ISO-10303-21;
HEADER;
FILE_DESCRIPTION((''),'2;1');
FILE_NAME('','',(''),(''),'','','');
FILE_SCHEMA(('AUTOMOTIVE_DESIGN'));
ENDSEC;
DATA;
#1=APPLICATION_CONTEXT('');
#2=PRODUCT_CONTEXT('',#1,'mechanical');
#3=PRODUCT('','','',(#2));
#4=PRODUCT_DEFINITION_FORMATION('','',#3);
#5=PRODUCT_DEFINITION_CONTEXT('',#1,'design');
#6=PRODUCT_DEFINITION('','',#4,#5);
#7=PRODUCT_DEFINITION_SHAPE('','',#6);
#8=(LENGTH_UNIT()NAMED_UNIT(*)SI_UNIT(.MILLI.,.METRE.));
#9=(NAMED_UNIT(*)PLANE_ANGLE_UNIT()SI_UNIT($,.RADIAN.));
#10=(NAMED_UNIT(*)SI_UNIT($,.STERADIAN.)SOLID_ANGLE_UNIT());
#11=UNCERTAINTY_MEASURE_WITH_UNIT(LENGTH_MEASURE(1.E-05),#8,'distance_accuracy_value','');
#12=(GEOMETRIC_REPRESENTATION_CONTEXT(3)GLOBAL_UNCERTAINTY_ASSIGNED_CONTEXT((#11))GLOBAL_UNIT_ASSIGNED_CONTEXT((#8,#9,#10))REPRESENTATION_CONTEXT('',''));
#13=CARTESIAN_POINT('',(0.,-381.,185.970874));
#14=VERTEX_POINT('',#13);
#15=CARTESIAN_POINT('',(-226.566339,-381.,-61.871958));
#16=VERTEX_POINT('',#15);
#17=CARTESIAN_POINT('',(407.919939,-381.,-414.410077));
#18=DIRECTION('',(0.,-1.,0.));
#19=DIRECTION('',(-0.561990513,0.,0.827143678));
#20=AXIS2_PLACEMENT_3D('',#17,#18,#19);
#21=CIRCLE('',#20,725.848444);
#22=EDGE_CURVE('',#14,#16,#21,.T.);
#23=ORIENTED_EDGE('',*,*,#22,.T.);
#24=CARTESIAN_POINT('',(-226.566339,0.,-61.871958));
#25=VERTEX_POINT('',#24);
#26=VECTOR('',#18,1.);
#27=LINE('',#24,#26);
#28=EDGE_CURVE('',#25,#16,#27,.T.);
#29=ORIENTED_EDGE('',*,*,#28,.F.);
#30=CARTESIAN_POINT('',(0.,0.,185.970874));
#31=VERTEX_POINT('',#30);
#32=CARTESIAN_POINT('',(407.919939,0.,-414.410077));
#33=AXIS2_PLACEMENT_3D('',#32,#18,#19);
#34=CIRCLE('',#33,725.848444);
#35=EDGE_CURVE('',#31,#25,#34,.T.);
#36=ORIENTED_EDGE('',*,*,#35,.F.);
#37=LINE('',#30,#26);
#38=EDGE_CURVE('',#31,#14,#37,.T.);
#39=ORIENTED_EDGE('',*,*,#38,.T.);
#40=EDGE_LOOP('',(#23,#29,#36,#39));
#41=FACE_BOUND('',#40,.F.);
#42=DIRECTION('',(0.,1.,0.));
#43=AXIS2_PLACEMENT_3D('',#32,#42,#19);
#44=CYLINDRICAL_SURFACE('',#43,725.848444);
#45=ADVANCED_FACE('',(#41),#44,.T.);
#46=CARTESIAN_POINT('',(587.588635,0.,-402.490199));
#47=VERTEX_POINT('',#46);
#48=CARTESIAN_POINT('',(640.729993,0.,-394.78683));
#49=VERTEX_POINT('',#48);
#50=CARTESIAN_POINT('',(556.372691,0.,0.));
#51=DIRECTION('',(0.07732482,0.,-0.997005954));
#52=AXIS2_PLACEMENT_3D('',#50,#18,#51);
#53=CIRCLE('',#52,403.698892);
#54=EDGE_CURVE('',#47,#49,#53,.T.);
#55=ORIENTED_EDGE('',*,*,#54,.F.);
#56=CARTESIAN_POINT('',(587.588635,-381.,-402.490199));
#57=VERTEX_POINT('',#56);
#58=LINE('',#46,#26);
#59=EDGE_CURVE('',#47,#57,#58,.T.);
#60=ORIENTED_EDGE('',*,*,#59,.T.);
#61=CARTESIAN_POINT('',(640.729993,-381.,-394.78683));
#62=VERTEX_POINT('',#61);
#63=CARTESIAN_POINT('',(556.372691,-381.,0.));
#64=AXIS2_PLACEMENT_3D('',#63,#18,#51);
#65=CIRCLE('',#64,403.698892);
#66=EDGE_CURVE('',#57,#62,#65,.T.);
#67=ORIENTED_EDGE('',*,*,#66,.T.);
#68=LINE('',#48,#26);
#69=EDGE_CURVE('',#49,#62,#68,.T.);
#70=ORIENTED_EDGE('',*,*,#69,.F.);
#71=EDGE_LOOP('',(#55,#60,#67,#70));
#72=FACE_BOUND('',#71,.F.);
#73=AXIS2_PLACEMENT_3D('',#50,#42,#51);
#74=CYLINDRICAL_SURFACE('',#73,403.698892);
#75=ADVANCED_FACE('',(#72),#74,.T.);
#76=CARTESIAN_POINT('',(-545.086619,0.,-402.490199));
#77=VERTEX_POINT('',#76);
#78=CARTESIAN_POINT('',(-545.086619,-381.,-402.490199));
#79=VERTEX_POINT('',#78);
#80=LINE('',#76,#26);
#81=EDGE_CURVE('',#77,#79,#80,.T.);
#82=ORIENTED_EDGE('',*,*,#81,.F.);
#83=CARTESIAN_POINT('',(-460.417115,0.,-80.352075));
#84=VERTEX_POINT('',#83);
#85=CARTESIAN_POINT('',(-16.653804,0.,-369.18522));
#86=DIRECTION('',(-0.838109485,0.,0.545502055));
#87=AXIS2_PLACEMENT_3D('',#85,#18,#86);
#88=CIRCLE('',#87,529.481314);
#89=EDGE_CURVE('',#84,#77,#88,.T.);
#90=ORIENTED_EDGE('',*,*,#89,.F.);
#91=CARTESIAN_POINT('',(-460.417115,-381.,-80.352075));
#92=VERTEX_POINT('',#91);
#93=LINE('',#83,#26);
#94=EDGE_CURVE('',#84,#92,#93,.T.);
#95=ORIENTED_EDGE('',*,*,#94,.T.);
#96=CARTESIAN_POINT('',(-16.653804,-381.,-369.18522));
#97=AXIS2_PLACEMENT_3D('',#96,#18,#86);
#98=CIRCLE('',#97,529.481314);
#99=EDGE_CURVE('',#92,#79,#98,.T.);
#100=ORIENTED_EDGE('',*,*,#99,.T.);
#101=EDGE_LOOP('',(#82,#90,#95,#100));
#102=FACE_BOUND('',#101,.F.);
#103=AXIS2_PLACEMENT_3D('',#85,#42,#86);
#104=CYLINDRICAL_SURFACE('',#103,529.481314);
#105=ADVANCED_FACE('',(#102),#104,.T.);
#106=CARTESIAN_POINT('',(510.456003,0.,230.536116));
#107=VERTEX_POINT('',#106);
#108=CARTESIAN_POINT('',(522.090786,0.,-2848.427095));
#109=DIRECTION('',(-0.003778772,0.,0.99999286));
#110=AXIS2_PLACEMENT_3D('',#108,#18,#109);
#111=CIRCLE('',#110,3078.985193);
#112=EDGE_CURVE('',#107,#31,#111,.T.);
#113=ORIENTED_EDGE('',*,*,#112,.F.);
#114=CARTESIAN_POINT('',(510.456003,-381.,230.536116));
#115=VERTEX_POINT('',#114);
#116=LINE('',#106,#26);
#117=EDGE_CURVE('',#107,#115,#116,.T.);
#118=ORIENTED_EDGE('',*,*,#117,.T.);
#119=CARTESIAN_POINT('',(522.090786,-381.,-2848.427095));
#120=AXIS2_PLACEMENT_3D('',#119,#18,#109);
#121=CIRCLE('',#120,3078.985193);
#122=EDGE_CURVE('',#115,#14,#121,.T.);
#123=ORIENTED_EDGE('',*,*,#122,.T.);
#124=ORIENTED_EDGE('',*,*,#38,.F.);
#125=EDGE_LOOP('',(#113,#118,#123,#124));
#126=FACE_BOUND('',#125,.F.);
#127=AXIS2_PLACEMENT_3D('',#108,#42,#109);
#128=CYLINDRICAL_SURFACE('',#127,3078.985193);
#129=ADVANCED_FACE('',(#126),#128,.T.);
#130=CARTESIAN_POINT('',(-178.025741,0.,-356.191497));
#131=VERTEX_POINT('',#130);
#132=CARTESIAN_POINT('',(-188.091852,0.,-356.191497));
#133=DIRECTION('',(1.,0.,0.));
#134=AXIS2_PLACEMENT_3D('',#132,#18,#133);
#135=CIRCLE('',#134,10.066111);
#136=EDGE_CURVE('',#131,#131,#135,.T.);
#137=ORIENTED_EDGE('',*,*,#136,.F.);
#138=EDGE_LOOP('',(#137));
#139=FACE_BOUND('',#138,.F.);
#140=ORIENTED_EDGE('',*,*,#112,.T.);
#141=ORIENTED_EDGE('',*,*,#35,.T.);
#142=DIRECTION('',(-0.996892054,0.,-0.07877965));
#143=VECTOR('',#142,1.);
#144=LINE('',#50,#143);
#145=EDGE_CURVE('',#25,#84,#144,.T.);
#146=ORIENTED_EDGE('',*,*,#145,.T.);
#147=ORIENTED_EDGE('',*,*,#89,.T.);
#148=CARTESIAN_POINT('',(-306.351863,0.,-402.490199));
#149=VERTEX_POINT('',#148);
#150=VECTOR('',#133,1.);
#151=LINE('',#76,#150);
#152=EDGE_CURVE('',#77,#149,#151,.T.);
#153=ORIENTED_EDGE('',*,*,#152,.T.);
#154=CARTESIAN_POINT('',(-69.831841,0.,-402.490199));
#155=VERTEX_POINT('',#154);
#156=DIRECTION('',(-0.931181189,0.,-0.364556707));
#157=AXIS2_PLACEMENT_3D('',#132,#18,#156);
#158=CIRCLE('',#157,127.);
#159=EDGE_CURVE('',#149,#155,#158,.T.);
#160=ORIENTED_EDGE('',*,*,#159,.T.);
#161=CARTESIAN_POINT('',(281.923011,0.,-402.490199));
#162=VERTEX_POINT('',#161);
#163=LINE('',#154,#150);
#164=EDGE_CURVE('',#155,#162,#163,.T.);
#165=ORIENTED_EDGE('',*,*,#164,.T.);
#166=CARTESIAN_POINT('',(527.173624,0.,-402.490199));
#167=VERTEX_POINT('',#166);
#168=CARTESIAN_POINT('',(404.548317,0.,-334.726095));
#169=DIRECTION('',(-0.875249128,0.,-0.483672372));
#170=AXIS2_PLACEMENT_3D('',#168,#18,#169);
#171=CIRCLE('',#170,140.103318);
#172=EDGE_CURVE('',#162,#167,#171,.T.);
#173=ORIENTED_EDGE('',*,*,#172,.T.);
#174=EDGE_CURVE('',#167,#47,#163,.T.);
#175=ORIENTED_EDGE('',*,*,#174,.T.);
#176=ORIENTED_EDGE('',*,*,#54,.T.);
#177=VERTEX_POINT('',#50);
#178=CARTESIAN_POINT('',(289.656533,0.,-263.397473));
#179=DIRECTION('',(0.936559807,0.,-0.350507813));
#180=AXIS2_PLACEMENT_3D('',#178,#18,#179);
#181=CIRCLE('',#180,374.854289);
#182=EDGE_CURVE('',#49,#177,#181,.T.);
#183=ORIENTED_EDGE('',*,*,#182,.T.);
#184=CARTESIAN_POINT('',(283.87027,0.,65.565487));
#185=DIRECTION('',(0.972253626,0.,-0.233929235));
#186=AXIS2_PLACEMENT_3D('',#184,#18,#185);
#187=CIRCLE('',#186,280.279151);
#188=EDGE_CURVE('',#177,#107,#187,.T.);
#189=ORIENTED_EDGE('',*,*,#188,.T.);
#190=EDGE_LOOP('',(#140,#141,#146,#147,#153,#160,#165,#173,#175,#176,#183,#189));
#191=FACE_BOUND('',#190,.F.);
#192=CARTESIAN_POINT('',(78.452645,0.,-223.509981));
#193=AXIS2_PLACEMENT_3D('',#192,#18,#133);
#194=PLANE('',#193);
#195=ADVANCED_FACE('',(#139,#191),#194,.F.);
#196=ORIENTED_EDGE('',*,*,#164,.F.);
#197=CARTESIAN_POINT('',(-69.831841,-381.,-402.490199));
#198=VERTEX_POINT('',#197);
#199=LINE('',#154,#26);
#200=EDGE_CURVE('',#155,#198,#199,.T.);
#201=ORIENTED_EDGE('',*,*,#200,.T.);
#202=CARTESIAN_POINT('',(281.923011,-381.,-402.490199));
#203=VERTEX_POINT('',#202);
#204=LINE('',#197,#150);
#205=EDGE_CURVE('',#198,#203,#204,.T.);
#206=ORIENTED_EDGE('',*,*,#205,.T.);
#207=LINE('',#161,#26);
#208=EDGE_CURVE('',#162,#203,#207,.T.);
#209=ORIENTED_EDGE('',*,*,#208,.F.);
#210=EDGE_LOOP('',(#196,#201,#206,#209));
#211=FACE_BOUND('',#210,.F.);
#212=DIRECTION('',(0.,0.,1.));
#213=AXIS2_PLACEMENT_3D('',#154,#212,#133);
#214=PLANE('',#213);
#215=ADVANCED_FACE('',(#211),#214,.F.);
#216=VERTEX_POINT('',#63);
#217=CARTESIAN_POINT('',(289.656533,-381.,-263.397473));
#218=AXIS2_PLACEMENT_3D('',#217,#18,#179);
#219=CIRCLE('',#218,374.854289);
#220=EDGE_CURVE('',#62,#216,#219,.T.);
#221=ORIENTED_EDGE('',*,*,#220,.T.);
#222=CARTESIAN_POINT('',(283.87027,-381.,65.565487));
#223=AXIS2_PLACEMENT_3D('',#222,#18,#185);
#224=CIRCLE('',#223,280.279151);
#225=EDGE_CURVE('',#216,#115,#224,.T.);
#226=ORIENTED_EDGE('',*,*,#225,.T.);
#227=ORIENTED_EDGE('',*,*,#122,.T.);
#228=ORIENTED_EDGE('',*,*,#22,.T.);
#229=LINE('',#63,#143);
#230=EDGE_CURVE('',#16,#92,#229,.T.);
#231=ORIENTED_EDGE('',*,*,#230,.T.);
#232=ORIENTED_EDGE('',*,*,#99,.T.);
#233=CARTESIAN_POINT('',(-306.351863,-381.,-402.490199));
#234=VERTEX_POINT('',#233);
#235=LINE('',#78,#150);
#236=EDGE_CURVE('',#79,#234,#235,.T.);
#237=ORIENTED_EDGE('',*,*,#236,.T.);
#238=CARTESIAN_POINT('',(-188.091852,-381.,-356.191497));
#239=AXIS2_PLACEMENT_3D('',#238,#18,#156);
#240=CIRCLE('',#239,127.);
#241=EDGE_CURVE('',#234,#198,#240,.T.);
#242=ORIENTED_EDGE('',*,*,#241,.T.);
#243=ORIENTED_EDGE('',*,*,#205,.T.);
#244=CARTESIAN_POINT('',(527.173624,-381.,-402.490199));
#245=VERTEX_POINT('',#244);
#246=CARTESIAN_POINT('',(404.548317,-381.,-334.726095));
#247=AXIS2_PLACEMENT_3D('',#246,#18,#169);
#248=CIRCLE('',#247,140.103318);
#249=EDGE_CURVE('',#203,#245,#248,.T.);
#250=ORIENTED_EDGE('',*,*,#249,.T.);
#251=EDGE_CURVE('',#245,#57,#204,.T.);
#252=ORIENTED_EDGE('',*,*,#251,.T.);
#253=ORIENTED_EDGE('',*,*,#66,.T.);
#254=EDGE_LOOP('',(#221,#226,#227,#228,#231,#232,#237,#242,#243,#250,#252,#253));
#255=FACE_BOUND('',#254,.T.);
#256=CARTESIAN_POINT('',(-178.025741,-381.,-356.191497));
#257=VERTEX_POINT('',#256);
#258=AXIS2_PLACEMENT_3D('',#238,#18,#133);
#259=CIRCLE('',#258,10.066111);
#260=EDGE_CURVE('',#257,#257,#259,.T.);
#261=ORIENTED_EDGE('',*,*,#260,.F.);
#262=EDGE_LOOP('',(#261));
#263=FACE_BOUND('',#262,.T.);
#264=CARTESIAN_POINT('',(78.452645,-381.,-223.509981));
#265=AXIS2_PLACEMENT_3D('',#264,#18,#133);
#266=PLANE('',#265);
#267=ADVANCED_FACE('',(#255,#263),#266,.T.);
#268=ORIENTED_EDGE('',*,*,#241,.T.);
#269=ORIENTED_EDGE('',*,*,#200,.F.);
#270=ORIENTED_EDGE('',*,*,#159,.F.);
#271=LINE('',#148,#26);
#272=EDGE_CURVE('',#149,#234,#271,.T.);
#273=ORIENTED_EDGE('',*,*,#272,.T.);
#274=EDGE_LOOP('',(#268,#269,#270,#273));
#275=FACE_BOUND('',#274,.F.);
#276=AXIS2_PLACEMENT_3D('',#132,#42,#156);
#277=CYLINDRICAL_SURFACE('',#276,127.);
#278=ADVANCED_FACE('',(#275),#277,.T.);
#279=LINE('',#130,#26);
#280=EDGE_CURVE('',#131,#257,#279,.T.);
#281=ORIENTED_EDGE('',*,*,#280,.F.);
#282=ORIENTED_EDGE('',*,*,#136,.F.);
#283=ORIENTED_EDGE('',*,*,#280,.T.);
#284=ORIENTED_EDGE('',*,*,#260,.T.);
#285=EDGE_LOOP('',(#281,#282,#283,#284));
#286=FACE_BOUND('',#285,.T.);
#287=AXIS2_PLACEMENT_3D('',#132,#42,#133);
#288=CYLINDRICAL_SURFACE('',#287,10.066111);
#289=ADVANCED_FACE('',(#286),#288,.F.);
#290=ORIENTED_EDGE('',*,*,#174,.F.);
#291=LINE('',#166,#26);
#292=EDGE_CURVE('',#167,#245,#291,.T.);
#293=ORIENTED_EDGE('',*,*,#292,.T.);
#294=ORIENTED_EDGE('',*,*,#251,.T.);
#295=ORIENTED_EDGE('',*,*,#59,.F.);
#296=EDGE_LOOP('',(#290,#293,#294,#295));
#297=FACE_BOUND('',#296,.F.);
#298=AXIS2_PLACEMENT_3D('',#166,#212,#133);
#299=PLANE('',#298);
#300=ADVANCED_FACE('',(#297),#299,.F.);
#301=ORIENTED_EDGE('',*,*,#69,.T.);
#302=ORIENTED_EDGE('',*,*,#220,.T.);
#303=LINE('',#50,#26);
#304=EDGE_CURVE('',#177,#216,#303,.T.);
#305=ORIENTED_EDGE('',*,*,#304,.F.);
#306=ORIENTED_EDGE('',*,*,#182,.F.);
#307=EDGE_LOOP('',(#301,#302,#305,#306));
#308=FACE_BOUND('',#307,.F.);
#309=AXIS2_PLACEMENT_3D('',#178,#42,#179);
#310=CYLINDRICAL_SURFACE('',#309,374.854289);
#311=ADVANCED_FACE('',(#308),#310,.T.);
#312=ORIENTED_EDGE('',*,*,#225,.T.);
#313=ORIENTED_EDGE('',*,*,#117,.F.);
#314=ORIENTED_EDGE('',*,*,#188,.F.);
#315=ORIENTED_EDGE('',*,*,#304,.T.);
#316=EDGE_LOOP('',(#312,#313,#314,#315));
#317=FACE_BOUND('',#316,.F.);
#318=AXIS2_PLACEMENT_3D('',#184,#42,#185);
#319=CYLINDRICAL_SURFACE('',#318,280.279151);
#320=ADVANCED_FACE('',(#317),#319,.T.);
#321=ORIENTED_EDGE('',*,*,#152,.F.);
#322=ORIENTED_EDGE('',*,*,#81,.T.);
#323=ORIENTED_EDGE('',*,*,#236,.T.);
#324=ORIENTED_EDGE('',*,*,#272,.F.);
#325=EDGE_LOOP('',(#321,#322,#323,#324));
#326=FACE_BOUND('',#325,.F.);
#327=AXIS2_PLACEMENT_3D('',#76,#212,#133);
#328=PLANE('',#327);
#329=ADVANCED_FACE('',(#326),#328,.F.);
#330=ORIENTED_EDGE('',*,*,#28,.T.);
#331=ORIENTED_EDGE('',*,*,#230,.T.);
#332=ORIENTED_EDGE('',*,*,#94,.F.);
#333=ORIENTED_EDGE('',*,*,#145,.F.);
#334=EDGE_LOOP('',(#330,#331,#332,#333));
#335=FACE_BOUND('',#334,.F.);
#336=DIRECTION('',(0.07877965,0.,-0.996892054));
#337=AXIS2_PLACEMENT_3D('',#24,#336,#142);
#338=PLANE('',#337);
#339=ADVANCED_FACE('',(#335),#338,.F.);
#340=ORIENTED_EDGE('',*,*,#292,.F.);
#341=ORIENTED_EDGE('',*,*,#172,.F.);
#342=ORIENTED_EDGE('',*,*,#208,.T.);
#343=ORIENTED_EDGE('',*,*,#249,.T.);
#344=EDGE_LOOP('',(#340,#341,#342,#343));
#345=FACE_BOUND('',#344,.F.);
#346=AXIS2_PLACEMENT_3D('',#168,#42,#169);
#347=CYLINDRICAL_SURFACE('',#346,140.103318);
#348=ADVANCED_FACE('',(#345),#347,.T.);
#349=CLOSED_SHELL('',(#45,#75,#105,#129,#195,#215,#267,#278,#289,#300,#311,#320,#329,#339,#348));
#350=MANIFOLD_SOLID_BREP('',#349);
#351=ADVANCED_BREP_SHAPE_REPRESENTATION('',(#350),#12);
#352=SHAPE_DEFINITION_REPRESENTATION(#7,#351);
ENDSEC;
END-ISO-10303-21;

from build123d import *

# Parameters (mm, degrees)
F0_R     = 10.0661107962
F1_DEPTH = 381


with BuildPart() as f1:
    # F0 (on Front) → F1 (new body)
    with BuildSketch(Plane.XZ):
        with BuildLine():
            ThreePointArc((-460.4171146545, -80.3520751223), (-528.7422428891, -234.5899299241), (-545.0866186853, -402.490199078))
            Line((-545.0866186853, -402.490199078), (-306.3518632039, -402.490199078))
            ThreePointArc((-306.3518632039, -402.490199078), (-211.6500630521, -231.3956211083), (-61.0918521756, -356.1914972432))
            ThreePointArc((-61.0918521756, -356.1914972432), (-63.2959760406, -379.7497081198), (-69.8318411473, -402.490199078))
            Line((-69.8318411473, -402.490199078), (281.923010605, -402.490199078))
            ThreePointArc((281.923010605, -402.490199078), (369.5574089397, -199.0626294837), (544.651634751, -334.7260951996))
            ThreePointArc((544.651634751, -334.7260951996), (540.2117829098, -369.7170034539), (527.173623783, -402.490199078))
            Line((527.173623783, -402.490199078), (587.5886353005, -402.490199078))
            ThreePointArc((587.5886353005, -402.490199078), (614.2875363688, -399.5230484268), (640.7299934295, -394.7868299108))
            ThreePointArc((640.7299934295, -394.7868299108), (656.2355333133, -185.0675662335), (556.3726911105, 0))
            Line((556.3726911105, 0), (-226.5663393053, -61.8719576371))
            Line((-226.5663393053, -61.8719576371), (-409.496628924, -76.3280706806))
            Line((-409.496628924, -76.3280706806), (-460.4171146545, -80.3520751223))
        make_face()
        with BuildLine():
            ThreePointArc((0, 185.9708741245), (-127.8124548077, 75.3314520254), (-226.5663393053, -61.8719576371))
            Line((-226.5663393053, -61.8719576371), (556.3726911105, 0))
            ThreePointArc((556.3726911105, 0), (558.7501920915, 120.3142873349), (510.4560028632, 230.5361160923))
            ThreePointArc((510.4560028632, 230.5361160923), (254.2993354525, 218.8905544569), (0, 185.9708741245))
        make_face()
        with BuildLine():
            ThreePointArc((-61.0918521756, -356.1914972432), (-211.6500630521, -231.3956211083), (-306.3518632039, -402.490199078))
            Line((-306.3518632039, -402.490199078), (-69.8318411473, -402.490199078))
            ThreePointArc((-69.8318411473, -402.490199078), (-63.2959760406, -379.7497081198), (-61.0918521756, -356.1914972432))
        make_face()
        with Locations((-188.0918521756, -356.1914972432)):
            Circle(F0_R, mode=Mode.SUBTRACT)
        with BuildLine():
            Line((-69.8318411473, -402.490199078), (-306.3518632039, -402.490199078))
            ThreePointArc((-306.3518632039, -402.490199078), (-188.0918521756, -483.1914972432), (-69.8318411473, -402.490199078))
        make_face()
        with BuildLine():
            ThreePointArc((544.651634751, -334.7260951996), (369.5574089397, -199.0626294837), (281.923010605, -402.490199078))
            Line((281.923010605, -402.490199078), (527.173623783, -402.490199078))
            ThreePointArc((527.173623783, -402.490199078), (540.2117829098, -369.7170034539), (544.651634751, -334.7260951996))
        make_face()
        with BuildLine():
            Line((527.173623783, -402.490199078), (281.923010605, -402.490199078))
            ThreePointArc((281.923010605, -402.490199078), (404.548317194, -474.8294127566), (527.173623783, -402.490199078))
        make_face()
    extrude(amount=F1_DEPTH)


solid = f1.part
